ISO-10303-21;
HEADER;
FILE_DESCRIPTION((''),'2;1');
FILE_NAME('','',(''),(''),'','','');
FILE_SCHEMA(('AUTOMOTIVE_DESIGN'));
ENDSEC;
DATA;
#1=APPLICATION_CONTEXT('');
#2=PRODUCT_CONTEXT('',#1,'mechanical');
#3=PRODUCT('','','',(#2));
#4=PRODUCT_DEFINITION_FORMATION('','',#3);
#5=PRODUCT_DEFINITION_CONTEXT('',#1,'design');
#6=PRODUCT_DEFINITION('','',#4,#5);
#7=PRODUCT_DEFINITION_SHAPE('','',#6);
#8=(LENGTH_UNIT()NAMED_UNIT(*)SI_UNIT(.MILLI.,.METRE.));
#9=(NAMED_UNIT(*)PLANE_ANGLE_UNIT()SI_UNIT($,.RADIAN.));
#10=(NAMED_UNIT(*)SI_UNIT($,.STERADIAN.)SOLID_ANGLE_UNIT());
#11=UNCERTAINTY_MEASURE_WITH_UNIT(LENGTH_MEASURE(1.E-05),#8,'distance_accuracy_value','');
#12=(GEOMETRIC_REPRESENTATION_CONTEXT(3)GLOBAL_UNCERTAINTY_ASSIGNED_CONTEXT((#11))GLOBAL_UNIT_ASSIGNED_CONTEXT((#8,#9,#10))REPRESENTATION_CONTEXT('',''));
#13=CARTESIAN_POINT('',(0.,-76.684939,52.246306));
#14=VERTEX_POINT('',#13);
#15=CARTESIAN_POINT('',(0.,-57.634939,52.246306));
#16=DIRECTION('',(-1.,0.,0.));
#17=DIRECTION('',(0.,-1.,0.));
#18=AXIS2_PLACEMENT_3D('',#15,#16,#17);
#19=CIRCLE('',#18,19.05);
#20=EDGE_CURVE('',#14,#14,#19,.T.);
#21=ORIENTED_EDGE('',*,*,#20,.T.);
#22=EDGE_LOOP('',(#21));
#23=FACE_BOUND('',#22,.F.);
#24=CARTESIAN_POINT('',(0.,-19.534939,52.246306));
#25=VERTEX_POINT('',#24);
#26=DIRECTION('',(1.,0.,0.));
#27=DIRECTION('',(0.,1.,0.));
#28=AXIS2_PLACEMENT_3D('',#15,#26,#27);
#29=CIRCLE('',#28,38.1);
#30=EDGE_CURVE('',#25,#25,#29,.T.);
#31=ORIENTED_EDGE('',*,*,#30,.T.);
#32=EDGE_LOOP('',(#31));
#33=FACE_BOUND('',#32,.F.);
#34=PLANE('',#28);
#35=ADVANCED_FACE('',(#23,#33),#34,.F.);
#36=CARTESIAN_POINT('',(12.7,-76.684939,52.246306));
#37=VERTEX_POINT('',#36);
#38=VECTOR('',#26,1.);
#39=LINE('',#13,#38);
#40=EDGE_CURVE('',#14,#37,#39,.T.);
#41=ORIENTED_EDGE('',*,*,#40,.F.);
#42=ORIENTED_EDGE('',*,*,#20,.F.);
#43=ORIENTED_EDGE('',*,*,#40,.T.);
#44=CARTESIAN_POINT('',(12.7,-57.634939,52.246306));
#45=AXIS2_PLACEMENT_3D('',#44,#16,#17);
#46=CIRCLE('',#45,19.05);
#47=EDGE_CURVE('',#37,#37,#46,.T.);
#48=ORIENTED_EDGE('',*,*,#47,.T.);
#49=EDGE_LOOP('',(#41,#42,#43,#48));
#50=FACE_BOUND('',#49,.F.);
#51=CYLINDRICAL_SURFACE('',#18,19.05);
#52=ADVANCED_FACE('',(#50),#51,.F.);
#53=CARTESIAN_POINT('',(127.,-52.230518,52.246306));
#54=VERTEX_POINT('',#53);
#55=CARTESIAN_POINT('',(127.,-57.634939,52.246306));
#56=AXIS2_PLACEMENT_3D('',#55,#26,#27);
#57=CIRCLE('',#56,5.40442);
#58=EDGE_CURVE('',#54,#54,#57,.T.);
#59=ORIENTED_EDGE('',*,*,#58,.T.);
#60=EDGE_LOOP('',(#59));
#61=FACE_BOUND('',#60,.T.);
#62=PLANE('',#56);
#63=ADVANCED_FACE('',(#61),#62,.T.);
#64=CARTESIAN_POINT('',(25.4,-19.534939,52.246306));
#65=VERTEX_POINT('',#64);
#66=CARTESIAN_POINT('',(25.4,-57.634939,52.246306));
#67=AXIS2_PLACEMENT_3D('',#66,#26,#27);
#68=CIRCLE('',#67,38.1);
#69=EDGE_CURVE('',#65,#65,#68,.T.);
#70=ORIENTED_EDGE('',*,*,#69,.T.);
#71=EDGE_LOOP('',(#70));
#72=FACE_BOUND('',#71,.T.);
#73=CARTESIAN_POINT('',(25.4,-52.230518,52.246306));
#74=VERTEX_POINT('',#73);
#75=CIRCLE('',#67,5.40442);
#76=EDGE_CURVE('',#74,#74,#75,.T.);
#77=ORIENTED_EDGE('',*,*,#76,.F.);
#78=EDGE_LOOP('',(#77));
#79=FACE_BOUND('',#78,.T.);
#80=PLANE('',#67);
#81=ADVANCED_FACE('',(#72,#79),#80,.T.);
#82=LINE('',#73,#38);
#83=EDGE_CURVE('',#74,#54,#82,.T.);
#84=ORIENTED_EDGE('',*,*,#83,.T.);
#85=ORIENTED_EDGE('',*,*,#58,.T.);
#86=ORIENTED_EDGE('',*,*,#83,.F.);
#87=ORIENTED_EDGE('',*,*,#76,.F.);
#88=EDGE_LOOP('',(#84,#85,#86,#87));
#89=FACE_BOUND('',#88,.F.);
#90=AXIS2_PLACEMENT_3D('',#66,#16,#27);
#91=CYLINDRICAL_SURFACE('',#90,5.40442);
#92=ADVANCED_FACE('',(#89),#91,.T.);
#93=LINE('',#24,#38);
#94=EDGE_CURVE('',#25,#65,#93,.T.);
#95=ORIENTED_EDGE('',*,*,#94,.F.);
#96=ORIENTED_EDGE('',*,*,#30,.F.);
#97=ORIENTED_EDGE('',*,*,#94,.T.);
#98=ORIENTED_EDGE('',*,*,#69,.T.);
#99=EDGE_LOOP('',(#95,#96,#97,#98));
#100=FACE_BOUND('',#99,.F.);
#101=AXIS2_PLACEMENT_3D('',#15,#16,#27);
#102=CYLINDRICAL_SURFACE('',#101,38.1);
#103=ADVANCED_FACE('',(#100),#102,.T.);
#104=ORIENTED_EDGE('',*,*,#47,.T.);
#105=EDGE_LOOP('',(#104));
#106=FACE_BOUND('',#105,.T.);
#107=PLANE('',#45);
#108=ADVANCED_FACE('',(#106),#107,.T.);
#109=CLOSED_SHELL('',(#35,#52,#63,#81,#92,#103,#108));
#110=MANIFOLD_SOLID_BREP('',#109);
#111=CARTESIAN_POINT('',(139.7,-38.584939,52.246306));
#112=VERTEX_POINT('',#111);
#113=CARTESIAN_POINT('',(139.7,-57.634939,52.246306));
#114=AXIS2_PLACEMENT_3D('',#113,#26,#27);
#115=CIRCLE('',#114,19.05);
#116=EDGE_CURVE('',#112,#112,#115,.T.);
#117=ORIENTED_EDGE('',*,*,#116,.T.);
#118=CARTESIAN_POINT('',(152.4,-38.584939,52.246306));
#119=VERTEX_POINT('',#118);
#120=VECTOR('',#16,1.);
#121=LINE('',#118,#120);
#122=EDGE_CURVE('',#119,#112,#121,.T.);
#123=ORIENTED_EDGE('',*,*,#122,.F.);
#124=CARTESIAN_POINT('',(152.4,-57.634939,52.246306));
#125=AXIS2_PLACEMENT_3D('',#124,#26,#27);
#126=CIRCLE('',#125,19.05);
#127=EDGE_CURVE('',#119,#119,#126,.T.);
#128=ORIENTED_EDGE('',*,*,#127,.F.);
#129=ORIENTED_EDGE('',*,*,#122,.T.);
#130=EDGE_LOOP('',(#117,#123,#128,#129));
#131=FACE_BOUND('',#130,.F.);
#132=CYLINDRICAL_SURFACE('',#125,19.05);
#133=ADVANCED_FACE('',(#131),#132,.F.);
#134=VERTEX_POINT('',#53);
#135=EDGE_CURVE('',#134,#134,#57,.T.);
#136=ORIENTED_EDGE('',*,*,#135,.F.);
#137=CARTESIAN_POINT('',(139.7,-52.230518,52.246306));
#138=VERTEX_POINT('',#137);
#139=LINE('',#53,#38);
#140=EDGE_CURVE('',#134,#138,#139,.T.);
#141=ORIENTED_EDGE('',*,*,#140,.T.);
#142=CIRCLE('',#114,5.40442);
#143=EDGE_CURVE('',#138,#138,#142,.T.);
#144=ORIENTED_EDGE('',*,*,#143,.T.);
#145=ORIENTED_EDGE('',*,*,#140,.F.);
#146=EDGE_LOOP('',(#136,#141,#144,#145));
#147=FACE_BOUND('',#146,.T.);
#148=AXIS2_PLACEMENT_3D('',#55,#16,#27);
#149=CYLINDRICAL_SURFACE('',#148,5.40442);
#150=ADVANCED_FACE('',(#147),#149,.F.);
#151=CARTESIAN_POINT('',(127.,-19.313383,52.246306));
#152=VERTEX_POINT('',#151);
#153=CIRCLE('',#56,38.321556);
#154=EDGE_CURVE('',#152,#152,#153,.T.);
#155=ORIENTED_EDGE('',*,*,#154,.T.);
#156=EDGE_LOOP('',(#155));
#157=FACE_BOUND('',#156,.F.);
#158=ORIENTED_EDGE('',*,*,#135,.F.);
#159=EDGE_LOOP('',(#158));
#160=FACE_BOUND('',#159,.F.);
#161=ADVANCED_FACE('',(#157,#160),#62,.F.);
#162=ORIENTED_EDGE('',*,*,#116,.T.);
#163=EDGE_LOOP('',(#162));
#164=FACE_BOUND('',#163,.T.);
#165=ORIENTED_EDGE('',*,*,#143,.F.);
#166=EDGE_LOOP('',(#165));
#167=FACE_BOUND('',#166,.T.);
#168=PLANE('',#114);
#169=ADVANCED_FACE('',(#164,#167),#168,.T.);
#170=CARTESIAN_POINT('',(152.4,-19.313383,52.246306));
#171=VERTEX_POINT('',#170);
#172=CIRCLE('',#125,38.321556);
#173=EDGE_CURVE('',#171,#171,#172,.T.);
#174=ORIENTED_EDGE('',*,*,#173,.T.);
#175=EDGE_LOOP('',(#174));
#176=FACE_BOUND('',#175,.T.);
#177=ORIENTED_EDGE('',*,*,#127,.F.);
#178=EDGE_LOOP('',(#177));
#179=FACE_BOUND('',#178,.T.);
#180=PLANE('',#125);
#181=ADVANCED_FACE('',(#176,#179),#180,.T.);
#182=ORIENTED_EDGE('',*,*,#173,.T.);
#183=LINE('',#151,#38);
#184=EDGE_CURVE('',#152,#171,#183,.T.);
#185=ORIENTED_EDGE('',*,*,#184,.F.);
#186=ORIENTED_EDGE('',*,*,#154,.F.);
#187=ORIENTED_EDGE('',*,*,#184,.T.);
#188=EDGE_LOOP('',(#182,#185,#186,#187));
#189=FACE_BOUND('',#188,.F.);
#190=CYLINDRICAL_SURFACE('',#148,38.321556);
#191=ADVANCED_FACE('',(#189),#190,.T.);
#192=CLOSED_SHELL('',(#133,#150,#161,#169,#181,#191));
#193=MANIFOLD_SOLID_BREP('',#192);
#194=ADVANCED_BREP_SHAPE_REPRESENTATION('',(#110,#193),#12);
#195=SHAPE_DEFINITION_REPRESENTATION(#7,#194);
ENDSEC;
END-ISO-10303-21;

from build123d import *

# Parameters (mm, degrees)
F0_R      = 38.1
F1_DEPTH  = 25.4
F2_R      = 5.4044200522
F3_DEPTH  = 101.6
F4_R      = 38.32155554
F4_R_2    = 5.4044200522
F5_DEPTH  = 25.4
F6_R      = 19.05
F7_DEPTH  = 12.7
F8_R      = 19.05
F8_R_2    = 5.4044200522
F9_DEPTH  = 12.7
F11_R     = 2.8477624551
F11_R_2   = 2.8477650893
F11_R_3   = 3.1838963947
F11_R_4   = 3.0621740495
F11_R_5   = 3.2234527355
F11_R_6   = 3.630200632
F11_R_7   = 3.5239234567
F11_R_8   = 3.2234498266
F12_DEPTH = 12.7


with BuildPart() as f1:
    # F0 (on Right) → F1 (new body)
    with BuildSketch(Plane.YZ):
        with Locations((-57.6349385083, 52.2463060915)):
            Circle(F0_R)
    extrude(amount=F1_DEPTH)

    # F2 (on face) → F3 (join)
    with BuildSketch(Plane.YZ.offset(25.4)):
        with Locations((-57.6349385083, 52.2463060915)):
            Circle(F2_R)
    extrude(amount=F3_DEPTH)

    # F6 (on face) → F7 (cut)
    with BuildSketch(Plane(origin=(0, 0, 0), x_dir=(0, -1, 0), z_dir=(-1, 0, 0))):
        with Locations((57.6349385083, 52.2463060915)):
            Circle(F6_R)
    extrude(amount=-F7_DEPTH, mode=Mode.SUBTRACT)

    # F11 (on face) → F12 (cut)
    with BuildSketch(Plane(origin=(0, 0, 0), x_dir=(0, -1, 0), z_dir=(-1, 0, 0))):
        with Locations((62.1656402946, 37.3954698443)):
            Circle(F11_R)
        with Locations((51.5938587487, 37.3954698443)):
            Circle(F11_R_2)
        with Locations((44.5460006595, 45.953579247)):
            Circle(F11_R_3)
        with Locations((44.5460006595, 56.0219436884)):
            Circle(F11_R_4)
        with Locations((52.0972758532, 63.0697980523)):
            Circle(F11_R_5)
        with Locations((62.1656402946, 63.5732188821)):
            Circle(F11_R_6)
        with Locations((70.2203288674, 56.5253607929)):
            Circle(F11_R_7)
        with Locations((70.2203288674, 44.9467413127)):
            Circle(F11_R_8)
    extrude(amount=-F12_DEPTH, mode=Mode.SUBTRACT)


with BuildPart() as f5:
    # F4 (on face) → F5 (new body)
    with BuildSketch(Plane.YZ.offset(127)):
        with Locations((-57.6349385083, 52.2463060915)):
            Circle(F4_R)
        with Locations((-57.6349385083, 52.2463060915)):
            Circle(F4_R_2, mode=Mode.SUBTRACT)
    extrude(amount=F5_DEPTH)

    # F8 (on face) → F9 (cut)
    with BuildSketch(Plane.YZ.offset(152.4)):
        with Locations((-57.6349385083, 52.2463060915)):
            Circle(F8_R)
        with Locations((-57.6349385083, 52.2463060915)):
            Circle(F8_R_2, mode=Mode.SUBTRACT)
    extrude(amount=-F9_DEPTH, mode=Mode.SUBTRACT)


solid = Compound([f1.part, f5.part])
